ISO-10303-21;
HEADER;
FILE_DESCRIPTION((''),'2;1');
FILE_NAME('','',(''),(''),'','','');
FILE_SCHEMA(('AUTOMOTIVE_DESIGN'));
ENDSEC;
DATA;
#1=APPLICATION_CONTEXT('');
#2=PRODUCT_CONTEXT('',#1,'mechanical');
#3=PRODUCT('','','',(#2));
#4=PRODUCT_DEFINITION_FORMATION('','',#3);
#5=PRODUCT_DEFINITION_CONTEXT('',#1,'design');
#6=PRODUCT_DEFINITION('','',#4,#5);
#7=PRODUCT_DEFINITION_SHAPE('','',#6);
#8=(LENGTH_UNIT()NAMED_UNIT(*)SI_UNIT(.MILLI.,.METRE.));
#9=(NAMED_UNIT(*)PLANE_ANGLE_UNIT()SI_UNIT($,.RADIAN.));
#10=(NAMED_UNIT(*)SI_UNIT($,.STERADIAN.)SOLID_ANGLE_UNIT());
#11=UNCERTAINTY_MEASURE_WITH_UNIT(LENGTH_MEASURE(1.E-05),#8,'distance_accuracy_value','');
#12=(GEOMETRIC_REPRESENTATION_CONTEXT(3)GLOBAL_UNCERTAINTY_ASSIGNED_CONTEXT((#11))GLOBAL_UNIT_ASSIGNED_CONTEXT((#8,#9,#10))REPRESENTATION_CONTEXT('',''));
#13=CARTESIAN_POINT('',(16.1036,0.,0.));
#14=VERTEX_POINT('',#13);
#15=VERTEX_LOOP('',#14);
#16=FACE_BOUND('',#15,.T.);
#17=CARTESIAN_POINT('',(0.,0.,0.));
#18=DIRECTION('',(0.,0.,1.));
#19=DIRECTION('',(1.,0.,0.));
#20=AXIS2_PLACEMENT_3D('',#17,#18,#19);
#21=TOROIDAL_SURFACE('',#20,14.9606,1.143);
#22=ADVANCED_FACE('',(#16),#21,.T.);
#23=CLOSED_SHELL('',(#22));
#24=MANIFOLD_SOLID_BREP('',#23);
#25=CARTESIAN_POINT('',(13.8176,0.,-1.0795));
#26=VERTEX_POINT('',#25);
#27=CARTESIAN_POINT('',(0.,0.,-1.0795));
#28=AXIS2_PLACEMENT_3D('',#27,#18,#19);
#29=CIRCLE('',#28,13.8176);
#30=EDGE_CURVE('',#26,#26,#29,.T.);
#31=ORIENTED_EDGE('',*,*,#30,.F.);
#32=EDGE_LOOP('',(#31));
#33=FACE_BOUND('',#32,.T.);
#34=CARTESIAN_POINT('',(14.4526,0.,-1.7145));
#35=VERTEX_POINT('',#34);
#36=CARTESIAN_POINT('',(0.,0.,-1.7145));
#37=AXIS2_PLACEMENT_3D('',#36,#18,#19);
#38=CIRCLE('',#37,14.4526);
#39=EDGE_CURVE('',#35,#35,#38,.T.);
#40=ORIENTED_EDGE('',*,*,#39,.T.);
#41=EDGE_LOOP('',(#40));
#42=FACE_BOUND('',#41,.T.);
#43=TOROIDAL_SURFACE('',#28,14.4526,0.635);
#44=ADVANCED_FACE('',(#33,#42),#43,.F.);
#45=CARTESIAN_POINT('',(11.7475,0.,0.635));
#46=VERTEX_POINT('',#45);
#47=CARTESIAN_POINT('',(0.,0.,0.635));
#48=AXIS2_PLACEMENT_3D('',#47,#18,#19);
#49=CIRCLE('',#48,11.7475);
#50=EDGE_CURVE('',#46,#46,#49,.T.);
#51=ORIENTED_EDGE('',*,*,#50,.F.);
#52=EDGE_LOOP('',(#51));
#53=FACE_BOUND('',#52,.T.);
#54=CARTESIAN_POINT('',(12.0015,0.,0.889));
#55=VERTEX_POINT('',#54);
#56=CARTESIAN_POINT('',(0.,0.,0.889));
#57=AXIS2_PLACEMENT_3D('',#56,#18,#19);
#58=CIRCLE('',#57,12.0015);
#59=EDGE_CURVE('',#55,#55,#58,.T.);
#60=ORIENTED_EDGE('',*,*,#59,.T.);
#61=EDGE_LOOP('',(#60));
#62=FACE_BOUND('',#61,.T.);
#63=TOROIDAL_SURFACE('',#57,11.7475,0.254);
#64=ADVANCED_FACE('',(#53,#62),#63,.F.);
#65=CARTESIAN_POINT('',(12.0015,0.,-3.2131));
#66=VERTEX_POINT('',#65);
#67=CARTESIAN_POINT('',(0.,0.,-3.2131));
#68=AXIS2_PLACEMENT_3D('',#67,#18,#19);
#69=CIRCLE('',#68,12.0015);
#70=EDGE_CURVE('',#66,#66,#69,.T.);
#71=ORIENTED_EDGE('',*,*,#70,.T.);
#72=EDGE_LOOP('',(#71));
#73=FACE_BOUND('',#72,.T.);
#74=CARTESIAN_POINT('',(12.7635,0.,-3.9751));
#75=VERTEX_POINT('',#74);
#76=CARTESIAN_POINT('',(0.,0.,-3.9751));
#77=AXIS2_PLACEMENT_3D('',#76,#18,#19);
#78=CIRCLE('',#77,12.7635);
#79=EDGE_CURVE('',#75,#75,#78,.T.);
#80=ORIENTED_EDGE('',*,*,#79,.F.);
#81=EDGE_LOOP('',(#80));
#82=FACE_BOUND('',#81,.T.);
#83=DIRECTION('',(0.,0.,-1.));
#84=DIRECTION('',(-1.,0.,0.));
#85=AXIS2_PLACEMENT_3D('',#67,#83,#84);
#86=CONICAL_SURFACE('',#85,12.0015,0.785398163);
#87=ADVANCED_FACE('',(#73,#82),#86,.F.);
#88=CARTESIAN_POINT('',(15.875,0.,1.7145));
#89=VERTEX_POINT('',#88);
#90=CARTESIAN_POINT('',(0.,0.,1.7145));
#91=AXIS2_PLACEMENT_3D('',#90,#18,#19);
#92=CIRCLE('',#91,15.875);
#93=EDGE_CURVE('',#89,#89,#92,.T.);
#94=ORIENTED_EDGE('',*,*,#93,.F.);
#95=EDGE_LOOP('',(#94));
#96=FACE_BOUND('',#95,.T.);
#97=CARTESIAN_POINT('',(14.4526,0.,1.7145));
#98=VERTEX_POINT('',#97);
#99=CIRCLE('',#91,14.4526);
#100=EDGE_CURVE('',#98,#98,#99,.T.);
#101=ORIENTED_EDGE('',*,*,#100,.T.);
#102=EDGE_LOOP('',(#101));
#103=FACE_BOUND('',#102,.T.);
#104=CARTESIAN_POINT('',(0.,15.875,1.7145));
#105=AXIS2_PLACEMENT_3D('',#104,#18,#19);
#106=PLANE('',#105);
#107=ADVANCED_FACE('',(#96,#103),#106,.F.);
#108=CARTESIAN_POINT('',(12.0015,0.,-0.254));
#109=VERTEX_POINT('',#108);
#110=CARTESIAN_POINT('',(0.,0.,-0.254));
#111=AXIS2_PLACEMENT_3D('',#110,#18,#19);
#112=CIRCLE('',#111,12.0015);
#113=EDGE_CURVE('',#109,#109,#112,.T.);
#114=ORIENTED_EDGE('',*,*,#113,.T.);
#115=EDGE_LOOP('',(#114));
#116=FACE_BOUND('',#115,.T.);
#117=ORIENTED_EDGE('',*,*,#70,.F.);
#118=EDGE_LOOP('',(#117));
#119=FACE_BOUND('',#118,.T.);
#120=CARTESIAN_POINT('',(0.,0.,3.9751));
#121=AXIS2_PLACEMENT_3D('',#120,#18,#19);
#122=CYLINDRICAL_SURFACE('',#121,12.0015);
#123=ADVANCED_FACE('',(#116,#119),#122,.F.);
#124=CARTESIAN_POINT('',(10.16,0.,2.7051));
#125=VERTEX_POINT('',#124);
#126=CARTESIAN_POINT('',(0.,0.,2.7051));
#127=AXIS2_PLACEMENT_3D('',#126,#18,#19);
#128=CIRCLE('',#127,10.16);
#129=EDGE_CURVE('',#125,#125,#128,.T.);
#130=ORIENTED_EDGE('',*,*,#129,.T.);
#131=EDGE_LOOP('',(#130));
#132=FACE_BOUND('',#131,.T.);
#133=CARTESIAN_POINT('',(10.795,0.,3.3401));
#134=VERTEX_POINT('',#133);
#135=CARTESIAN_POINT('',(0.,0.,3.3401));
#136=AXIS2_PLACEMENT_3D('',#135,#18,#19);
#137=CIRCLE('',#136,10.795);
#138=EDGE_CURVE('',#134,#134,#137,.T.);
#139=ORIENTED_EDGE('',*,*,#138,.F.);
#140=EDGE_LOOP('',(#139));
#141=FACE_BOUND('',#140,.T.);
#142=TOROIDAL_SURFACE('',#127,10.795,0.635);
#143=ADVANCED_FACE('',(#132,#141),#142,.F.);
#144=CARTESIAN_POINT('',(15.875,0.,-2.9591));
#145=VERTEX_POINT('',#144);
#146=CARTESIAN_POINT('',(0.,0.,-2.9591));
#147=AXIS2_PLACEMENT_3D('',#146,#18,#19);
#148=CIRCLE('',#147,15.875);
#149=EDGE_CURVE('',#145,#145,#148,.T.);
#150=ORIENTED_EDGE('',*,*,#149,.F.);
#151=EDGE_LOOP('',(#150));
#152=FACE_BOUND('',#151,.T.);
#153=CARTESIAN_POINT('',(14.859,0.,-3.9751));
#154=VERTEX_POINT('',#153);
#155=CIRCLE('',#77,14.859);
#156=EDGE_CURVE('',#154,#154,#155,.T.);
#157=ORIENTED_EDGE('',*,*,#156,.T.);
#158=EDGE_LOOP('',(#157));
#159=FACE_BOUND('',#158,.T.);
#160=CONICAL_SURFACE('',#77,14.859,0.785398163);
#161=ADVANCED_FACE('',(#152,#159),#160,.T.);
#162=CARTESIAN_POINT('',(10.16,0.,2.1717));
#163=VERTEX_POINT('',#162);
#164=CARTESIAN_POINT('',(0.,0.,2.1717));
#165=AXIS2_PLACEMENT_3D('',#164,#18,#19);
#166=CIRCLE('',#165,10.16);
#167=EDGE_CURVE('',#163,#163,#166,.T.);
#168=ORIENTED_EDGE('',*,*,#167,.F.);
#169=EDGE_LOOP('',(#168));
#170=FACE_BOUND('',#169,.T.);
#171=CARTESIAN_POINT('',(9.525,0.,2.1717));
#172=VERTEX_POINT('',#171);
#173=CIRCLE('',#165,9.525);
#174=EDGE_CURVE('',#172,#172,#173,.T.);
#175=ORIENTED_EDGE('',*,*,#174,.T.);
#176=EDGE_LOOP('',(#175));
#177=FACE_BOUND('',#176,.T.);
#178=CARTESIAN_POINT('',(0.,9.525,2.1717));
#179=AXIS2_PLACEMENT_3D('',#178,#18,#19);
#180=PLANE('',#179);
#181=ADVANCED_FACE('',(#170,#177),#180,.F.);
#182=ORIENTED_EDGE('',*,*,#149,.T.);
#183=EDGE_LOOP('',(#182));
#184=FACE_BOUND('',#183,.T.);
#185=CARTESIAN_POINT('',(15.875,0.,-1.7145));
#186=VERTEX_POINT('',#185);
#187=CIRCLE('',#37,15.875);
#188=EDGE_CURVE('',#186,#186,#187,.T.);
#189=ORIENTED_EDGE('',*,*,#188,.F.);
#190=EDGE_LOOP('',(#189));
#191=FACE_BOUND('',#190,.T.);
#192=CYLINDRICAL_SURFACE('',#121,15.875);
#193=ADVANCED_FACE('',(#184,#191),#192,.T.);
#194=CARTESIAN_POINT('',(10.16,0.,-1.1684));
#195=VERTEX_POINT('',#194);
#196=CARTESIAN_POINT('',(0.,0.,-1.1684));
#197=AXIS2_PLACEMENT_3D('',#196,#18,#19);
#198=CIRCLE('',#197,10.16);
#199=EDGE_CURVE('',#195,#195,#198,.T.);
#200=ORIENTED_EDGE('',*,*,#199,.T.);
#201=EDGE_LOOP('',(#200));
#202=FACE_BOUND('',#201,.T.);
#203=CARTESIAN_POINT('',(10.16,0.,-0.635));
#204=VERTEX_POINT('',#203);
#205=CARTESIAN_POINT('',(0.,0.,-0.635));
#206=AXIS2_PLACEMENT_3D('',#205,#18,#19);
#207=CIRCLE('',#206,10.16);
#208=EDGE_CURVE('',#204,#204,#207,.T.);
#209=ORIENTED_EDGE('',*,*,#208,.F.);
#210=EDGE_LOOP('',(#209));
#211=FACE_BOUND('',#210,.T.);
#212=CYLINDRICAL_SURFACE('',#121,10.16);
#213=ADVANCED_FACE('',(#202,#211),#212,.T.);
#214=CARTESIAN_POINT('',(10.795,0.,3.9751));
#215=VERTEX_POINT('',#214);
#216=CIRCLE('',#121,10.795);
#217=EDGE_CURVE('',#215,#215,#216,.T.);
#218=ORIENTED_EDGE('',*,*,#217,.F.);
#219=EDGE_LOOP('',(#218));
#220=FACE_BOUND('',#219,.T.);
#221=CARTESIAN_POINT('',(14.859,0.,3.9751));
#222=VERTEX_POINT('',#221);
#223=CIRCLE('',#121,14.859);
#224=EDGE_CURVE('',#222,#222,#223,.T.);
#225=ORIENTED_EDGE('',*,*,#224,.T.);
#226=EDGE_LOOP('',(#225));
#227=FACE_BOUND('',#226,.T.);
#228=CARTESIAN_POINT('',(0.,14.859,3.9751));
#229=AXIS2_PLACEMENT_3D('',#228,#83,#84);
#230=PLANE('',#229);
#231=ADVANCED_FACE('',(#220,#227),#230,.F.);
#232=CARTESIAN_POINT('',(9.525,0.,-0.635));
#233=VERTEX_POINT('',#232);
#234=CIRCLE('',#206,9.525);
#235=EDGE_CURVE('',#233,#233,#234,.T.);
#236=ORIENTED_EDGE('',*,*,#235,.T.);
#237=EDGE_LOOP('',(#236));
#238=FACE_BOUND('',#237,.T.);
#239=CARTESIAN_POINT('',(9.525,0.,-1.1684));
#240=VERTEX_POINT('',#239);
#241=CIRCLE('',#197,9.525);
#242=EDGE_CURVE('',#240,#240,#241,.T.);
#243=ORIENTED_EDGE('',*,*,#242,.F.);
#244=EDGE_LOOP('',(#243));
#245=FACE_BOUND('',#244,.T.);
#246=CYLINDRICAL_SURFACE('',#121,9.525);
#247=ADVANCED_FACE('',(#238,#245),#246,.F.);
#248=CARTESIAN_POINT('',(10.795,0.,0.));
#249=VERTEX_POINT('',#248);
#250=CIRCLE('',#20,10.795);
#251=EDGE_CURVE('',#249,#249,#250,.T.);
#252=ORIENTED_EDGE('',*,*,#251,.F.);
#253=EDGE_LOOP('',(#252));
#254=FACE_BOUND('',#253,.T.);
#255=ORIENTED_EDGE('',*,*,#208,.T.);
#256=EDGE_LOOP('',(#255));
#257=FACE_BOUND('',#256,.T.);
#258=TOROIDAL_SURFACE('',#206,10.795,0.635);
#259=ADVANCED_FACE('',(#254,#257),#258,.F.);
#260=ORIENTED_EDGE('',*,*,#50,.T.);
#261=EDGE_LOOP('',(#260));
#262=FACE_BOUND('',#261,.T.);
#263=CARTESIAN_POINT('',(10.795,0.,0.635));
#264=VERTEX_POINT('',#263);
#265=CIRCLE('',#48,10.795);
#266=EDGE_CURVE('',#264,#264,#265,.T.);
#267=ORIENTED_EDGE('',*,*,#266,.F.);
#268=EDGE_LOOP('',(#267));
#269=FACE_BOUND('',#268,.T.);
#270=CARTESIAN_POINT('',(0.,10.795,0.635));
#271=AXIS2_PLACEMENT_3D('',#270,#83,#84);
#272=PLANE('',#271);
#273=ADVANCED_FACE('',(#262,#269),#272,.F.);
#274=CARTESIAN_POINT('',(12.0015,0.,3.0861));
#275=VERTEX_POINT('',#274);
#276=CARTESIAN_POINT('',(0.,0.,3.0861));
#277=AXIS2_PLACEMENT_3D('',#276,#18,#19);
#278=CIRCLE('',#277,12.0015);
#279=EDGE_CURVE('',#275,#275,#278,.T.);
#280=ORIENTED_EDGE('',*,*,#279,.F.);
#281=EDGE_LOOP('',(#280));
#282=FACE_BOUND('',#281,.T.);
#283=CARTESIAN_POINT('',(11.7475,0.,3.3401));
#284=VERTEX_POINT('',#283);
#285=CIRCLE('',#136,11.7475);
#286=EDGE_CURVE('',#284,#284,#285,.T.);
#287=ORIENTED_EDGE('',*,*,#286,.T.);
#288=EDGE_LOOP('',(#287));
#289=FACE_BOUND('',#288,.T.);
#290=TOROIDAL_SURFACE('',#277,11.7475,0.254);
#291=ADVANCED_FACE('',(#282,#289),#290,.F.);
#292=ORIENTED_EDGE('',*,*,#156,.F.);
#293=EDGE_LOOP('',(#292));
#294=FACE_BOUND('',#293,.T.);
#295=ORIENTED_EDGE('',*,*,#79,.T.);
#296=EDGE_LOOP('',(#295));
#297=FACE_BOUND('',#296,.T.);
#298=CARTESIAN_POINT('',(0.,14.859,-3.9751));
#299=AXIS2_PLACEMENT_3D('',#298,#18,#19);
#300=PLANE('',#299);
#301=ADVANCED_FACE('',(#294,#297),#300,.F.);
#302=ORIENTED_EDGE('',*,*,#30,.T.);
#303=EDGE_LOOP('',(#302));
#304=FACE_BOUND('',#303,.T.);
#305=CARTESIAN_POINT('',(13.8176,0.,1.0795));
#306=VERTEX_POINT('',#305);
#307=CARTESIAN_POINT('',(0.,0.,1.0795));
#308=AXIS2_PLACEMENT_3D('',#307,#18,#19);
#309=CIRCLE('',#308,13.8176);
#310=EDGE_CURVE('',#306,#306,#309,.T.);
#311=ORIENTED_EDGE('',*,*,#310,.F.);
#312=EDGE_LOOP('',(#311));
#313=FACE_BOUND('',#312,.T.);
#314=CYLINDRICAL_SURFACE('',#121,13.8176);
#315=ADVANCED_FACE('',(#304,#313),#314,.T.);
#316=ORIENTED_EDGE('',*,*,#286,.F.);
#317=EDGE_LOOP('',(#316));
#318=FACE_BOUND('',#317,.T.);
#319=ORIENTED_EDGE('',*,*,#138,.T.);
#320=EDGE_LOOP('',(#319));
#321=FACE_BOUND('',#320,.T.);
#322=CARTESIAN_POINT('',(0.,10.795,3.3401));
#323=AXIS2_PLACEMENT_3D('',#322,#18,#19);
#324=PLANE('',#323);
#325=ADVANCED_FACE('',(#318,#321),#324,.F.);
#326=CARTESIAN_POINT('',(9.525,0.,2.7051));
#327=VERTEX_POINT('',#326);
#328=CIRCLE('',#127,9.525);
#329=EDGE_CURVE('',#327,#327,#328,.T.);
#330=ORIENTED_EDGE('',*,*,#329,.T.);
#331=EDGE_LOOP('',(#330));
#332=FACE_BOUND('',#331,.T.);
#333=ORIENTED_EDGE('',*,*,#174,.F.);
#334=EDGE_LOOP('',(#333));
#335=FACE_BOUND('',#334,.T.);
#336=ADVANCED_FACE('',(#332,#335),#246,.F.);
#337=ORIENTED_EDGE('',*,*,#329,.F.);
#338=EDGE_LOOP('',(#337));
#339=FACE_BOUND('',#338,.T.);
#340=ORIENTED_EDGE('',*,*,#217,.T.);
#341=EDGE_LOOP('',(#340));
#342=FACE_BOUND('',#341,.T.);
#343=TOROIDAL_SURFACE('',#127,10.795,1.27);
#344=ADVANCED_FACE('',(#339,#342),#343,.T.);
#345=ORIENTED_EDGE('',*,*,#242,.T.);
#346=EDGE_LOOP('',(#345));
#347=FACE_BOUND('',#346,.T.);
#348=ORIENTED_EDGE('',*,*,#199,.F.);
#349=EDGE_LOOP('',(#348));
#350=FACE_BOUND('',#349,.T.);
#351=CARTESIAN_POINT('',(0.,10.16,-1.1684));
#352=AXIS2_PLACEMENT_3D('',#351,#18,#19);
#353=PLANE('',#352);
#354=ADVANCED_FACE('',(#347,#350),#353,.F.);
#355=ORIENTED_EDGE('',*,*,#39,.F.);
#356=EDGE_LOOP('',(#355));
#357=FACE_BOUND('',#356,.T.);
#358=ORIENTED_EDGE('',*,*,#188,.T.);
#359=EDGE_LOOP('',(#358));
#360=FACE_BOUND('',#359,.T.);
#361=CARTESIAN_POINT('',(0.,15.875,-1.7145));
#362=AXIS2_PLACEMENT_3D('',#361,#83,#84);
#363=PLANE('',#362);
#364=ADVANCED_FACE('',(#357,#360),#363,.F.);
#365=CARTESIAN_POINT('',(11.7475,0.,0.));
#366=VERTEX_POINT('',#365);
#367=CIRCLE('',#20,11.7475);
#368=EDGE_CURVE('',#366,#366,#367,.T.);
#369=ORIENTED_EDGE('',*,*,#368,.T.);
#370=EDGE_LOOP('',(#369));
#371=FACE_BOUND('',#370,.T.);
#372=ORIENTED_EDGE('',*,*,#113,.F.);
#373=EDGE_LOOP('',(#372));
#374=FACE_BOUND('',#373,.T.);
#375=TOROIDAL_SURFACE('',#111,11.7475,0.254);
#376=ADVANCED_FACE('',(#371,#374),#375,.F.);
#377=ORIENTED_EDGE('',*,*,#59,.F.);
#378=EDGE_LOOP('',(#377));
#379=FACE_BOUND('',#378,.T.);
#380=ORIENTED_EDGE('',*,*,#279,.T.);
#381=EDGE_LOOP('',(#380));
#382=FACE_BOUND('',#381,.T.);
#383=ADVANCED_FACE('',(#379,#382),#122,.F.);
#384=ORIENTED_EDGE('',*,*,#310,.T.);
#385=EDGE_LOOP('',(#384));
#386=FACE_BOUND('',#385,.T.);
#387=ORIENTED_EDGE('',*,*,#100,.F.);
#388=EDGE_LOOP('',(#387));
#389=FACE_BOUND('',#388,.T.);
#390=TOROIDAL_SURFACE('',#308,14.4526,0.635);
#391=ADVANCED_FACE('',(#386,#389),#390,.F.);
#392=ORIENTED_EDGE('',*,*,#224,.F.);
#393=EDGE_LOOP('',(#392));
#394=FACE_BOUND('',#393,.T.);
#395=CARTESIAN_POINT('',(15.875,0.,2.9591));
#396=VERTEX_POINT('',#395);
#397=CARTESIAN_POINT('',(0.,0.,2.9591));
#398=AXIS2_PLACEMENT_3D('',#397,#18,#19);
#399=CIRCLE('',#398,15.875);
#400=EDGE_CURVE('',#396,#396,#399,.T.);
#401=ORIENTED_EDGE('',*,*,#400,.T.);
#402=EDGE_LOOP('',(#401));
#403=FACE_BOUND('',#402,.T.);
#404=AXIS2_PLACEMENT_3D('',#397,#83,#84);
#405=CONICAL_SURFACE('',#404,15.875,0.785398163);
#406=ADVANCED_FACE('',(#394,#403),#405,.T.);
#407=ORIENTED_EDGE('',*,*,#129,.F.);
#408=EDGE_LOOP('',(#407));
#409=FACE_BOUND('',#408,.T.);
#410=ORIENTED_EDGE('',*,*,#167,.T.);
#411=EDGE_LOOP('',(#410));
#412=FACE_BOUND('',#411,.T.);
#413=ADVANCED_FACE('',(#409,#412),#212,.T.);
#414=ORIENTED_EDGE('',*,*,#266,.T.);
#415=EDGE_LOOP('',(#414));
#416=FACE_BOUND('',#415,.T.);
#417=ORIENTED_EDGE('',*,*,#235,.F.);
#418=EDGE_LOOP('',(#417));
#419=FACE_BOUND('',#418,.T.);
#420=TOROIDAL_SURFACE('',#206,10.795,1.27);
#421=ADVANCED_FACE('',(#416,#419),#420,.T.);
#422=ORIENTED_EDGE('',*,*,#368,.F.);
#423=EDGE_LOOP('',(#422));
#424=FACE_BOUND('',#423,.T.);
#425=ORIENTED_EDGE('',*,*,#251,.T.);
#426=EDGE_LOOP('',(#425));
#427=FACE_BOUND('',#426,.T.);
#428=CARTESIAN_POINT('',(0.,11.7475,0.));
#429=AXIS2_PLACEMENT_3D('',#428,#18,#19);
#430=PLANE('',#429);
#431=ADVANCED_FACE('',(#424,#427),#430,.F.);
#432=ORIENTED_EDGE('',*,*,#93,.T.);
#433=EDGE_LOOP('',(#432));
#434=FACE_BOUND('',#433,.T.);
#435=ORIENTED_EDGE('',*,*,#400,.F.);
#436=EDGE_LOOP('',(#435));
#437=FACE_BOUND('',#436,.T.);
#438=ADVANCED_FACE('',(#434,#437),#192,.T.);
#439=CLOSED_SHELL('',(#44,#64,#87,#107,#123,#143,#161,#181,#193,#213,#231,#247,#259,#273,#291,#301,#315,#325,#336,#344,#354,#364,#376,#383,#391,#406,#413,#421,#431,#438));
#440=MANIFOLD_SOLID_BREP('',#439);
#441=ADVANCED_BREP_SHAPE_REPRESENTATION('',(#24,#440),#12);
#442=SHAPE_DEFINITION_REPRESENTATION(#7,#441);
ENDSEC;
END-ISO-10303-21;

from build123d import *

# Parameters (mm, degrees)
SKETCH2_R = 1.143


with BuildPart() as part:
    # Sketch1 → Revolve1 (revolve)
    with BuildSketch(Plane(origin=(0, 0, 0), x_dir=(0, 0, -1), z_dir=(1, 0, 0)), mode=Mode.PRIVATE) as revolve1_sk:
        with BuildLine():
            Line((-2.9591, 15.875), (-3.9751, 14.859))
            Line((-3.9751, 14.859), (-3.9751, 10.795))
            ThreePointArc((-3.9751, 10.795), (-3.603125612, 9.896974388), (-2.7051, 9.525))
            Line((-2.7051, 9.525), (-2.1717, 9.525))
            Line((-2.1717, 9.525), (-2.1717, 10.16))
            Line((-2.1717, 10.16), (-2.7051, 10.16))
            ThreePointArc((-2.7051, 10.16), (-3.154112806, 10.345987194), (-3.3401, 10.795))
            Line((-3.3401, 10.795), (-3.3401, 11.7475))
            ThreePointArc((-3.3401, 11.7475), (-3.265705122, 11.927105122), (-3.0861, 12.0015))
            Line((-3.0861, 12.0015), (-0.889, 12.0015))
            ThreePointArc((-0.889, 12.0015), (-0.709394878, 11.927105122), (-0.635, 11.7475))
            Line((-0.635, 11.7475), (-0.635, 10.795))
            ThreePointArc((-0.635, 10.795), (-0.263025612, 9.896974388), (0.635, 9.525))
            Line((0.635, 9.525), (1.1684, 9.525))
            Line((1.1684, 9.525), (1.1684, 10.16))
            Line((1.1684, 10.16), (0.635, 10.16))
            ThreePointArc((0.635, 10.16), (0.185987194, 10.345987194), (0, 10.795))
            Line((0, 10.795), (0, 11.7475))
            ThreePointArc((0, 11.7475), (0.074394878, 11.927105122), (0.254, 12.0015))
            Line((0.254, 12.0015), (3.2131, 12.0015))
            Line((3.2131, 12.0015), (3.9751, 12.7635))
            Line((3.9751, 12.7635), (3.9751, 14.859))
            Line((3.9751, 14.859), (2.9591, 15.875))
            Line((2.9591, 15.875), (1.7145, 15.875))
            Line((1.7145, 15.875), (1.7145, 14.4526))
            ThreePointArc((1.7145, 14.4526), (1.528512806, 14.003587194), (1.0795, 13.8176))
            Line((1.0795, 13.8176), (-1.0795, 13.8176))
            ThreePointArc((-1.0795, 13.8176), (-1.528512806, 14.003587194), (-1.7145, 14.4526))
            Line((-1.7145, 14.4526), (-1.7145, 15.875))
            Line((-1.7145, 15.875), (-2.9591, 15.875))
        make_face()
    revolve(revolve1_sk.sketch.rotate(Axis((0, 0, 3.9751), (0, 0, -1)), 90), axis=Axis((0, 0, 3.9751), (0, 0, -1)))


with BuildPart() as body_2:
    # Sketch2 → Revolve2 (revolve)
    with BuildSketch(Plane(origin=(0, 0, 0), x_dir=(0, 0, -1), z_dir=(1, 0, 0)), mode=Mode.PRIVATE) as revolve2_sk:
        with Locations((0, 14.9606)):
            Circle(SKETCH2_R)
    revolve(revolve2_sk.sketch.rotate(Axis((0, 0, 3.9751), (0, 0, -1)), 270), axis=Axis((0, 0, 3.9751), (0, 0, -1)))


solid = Compound([part.part, body_2.part])
